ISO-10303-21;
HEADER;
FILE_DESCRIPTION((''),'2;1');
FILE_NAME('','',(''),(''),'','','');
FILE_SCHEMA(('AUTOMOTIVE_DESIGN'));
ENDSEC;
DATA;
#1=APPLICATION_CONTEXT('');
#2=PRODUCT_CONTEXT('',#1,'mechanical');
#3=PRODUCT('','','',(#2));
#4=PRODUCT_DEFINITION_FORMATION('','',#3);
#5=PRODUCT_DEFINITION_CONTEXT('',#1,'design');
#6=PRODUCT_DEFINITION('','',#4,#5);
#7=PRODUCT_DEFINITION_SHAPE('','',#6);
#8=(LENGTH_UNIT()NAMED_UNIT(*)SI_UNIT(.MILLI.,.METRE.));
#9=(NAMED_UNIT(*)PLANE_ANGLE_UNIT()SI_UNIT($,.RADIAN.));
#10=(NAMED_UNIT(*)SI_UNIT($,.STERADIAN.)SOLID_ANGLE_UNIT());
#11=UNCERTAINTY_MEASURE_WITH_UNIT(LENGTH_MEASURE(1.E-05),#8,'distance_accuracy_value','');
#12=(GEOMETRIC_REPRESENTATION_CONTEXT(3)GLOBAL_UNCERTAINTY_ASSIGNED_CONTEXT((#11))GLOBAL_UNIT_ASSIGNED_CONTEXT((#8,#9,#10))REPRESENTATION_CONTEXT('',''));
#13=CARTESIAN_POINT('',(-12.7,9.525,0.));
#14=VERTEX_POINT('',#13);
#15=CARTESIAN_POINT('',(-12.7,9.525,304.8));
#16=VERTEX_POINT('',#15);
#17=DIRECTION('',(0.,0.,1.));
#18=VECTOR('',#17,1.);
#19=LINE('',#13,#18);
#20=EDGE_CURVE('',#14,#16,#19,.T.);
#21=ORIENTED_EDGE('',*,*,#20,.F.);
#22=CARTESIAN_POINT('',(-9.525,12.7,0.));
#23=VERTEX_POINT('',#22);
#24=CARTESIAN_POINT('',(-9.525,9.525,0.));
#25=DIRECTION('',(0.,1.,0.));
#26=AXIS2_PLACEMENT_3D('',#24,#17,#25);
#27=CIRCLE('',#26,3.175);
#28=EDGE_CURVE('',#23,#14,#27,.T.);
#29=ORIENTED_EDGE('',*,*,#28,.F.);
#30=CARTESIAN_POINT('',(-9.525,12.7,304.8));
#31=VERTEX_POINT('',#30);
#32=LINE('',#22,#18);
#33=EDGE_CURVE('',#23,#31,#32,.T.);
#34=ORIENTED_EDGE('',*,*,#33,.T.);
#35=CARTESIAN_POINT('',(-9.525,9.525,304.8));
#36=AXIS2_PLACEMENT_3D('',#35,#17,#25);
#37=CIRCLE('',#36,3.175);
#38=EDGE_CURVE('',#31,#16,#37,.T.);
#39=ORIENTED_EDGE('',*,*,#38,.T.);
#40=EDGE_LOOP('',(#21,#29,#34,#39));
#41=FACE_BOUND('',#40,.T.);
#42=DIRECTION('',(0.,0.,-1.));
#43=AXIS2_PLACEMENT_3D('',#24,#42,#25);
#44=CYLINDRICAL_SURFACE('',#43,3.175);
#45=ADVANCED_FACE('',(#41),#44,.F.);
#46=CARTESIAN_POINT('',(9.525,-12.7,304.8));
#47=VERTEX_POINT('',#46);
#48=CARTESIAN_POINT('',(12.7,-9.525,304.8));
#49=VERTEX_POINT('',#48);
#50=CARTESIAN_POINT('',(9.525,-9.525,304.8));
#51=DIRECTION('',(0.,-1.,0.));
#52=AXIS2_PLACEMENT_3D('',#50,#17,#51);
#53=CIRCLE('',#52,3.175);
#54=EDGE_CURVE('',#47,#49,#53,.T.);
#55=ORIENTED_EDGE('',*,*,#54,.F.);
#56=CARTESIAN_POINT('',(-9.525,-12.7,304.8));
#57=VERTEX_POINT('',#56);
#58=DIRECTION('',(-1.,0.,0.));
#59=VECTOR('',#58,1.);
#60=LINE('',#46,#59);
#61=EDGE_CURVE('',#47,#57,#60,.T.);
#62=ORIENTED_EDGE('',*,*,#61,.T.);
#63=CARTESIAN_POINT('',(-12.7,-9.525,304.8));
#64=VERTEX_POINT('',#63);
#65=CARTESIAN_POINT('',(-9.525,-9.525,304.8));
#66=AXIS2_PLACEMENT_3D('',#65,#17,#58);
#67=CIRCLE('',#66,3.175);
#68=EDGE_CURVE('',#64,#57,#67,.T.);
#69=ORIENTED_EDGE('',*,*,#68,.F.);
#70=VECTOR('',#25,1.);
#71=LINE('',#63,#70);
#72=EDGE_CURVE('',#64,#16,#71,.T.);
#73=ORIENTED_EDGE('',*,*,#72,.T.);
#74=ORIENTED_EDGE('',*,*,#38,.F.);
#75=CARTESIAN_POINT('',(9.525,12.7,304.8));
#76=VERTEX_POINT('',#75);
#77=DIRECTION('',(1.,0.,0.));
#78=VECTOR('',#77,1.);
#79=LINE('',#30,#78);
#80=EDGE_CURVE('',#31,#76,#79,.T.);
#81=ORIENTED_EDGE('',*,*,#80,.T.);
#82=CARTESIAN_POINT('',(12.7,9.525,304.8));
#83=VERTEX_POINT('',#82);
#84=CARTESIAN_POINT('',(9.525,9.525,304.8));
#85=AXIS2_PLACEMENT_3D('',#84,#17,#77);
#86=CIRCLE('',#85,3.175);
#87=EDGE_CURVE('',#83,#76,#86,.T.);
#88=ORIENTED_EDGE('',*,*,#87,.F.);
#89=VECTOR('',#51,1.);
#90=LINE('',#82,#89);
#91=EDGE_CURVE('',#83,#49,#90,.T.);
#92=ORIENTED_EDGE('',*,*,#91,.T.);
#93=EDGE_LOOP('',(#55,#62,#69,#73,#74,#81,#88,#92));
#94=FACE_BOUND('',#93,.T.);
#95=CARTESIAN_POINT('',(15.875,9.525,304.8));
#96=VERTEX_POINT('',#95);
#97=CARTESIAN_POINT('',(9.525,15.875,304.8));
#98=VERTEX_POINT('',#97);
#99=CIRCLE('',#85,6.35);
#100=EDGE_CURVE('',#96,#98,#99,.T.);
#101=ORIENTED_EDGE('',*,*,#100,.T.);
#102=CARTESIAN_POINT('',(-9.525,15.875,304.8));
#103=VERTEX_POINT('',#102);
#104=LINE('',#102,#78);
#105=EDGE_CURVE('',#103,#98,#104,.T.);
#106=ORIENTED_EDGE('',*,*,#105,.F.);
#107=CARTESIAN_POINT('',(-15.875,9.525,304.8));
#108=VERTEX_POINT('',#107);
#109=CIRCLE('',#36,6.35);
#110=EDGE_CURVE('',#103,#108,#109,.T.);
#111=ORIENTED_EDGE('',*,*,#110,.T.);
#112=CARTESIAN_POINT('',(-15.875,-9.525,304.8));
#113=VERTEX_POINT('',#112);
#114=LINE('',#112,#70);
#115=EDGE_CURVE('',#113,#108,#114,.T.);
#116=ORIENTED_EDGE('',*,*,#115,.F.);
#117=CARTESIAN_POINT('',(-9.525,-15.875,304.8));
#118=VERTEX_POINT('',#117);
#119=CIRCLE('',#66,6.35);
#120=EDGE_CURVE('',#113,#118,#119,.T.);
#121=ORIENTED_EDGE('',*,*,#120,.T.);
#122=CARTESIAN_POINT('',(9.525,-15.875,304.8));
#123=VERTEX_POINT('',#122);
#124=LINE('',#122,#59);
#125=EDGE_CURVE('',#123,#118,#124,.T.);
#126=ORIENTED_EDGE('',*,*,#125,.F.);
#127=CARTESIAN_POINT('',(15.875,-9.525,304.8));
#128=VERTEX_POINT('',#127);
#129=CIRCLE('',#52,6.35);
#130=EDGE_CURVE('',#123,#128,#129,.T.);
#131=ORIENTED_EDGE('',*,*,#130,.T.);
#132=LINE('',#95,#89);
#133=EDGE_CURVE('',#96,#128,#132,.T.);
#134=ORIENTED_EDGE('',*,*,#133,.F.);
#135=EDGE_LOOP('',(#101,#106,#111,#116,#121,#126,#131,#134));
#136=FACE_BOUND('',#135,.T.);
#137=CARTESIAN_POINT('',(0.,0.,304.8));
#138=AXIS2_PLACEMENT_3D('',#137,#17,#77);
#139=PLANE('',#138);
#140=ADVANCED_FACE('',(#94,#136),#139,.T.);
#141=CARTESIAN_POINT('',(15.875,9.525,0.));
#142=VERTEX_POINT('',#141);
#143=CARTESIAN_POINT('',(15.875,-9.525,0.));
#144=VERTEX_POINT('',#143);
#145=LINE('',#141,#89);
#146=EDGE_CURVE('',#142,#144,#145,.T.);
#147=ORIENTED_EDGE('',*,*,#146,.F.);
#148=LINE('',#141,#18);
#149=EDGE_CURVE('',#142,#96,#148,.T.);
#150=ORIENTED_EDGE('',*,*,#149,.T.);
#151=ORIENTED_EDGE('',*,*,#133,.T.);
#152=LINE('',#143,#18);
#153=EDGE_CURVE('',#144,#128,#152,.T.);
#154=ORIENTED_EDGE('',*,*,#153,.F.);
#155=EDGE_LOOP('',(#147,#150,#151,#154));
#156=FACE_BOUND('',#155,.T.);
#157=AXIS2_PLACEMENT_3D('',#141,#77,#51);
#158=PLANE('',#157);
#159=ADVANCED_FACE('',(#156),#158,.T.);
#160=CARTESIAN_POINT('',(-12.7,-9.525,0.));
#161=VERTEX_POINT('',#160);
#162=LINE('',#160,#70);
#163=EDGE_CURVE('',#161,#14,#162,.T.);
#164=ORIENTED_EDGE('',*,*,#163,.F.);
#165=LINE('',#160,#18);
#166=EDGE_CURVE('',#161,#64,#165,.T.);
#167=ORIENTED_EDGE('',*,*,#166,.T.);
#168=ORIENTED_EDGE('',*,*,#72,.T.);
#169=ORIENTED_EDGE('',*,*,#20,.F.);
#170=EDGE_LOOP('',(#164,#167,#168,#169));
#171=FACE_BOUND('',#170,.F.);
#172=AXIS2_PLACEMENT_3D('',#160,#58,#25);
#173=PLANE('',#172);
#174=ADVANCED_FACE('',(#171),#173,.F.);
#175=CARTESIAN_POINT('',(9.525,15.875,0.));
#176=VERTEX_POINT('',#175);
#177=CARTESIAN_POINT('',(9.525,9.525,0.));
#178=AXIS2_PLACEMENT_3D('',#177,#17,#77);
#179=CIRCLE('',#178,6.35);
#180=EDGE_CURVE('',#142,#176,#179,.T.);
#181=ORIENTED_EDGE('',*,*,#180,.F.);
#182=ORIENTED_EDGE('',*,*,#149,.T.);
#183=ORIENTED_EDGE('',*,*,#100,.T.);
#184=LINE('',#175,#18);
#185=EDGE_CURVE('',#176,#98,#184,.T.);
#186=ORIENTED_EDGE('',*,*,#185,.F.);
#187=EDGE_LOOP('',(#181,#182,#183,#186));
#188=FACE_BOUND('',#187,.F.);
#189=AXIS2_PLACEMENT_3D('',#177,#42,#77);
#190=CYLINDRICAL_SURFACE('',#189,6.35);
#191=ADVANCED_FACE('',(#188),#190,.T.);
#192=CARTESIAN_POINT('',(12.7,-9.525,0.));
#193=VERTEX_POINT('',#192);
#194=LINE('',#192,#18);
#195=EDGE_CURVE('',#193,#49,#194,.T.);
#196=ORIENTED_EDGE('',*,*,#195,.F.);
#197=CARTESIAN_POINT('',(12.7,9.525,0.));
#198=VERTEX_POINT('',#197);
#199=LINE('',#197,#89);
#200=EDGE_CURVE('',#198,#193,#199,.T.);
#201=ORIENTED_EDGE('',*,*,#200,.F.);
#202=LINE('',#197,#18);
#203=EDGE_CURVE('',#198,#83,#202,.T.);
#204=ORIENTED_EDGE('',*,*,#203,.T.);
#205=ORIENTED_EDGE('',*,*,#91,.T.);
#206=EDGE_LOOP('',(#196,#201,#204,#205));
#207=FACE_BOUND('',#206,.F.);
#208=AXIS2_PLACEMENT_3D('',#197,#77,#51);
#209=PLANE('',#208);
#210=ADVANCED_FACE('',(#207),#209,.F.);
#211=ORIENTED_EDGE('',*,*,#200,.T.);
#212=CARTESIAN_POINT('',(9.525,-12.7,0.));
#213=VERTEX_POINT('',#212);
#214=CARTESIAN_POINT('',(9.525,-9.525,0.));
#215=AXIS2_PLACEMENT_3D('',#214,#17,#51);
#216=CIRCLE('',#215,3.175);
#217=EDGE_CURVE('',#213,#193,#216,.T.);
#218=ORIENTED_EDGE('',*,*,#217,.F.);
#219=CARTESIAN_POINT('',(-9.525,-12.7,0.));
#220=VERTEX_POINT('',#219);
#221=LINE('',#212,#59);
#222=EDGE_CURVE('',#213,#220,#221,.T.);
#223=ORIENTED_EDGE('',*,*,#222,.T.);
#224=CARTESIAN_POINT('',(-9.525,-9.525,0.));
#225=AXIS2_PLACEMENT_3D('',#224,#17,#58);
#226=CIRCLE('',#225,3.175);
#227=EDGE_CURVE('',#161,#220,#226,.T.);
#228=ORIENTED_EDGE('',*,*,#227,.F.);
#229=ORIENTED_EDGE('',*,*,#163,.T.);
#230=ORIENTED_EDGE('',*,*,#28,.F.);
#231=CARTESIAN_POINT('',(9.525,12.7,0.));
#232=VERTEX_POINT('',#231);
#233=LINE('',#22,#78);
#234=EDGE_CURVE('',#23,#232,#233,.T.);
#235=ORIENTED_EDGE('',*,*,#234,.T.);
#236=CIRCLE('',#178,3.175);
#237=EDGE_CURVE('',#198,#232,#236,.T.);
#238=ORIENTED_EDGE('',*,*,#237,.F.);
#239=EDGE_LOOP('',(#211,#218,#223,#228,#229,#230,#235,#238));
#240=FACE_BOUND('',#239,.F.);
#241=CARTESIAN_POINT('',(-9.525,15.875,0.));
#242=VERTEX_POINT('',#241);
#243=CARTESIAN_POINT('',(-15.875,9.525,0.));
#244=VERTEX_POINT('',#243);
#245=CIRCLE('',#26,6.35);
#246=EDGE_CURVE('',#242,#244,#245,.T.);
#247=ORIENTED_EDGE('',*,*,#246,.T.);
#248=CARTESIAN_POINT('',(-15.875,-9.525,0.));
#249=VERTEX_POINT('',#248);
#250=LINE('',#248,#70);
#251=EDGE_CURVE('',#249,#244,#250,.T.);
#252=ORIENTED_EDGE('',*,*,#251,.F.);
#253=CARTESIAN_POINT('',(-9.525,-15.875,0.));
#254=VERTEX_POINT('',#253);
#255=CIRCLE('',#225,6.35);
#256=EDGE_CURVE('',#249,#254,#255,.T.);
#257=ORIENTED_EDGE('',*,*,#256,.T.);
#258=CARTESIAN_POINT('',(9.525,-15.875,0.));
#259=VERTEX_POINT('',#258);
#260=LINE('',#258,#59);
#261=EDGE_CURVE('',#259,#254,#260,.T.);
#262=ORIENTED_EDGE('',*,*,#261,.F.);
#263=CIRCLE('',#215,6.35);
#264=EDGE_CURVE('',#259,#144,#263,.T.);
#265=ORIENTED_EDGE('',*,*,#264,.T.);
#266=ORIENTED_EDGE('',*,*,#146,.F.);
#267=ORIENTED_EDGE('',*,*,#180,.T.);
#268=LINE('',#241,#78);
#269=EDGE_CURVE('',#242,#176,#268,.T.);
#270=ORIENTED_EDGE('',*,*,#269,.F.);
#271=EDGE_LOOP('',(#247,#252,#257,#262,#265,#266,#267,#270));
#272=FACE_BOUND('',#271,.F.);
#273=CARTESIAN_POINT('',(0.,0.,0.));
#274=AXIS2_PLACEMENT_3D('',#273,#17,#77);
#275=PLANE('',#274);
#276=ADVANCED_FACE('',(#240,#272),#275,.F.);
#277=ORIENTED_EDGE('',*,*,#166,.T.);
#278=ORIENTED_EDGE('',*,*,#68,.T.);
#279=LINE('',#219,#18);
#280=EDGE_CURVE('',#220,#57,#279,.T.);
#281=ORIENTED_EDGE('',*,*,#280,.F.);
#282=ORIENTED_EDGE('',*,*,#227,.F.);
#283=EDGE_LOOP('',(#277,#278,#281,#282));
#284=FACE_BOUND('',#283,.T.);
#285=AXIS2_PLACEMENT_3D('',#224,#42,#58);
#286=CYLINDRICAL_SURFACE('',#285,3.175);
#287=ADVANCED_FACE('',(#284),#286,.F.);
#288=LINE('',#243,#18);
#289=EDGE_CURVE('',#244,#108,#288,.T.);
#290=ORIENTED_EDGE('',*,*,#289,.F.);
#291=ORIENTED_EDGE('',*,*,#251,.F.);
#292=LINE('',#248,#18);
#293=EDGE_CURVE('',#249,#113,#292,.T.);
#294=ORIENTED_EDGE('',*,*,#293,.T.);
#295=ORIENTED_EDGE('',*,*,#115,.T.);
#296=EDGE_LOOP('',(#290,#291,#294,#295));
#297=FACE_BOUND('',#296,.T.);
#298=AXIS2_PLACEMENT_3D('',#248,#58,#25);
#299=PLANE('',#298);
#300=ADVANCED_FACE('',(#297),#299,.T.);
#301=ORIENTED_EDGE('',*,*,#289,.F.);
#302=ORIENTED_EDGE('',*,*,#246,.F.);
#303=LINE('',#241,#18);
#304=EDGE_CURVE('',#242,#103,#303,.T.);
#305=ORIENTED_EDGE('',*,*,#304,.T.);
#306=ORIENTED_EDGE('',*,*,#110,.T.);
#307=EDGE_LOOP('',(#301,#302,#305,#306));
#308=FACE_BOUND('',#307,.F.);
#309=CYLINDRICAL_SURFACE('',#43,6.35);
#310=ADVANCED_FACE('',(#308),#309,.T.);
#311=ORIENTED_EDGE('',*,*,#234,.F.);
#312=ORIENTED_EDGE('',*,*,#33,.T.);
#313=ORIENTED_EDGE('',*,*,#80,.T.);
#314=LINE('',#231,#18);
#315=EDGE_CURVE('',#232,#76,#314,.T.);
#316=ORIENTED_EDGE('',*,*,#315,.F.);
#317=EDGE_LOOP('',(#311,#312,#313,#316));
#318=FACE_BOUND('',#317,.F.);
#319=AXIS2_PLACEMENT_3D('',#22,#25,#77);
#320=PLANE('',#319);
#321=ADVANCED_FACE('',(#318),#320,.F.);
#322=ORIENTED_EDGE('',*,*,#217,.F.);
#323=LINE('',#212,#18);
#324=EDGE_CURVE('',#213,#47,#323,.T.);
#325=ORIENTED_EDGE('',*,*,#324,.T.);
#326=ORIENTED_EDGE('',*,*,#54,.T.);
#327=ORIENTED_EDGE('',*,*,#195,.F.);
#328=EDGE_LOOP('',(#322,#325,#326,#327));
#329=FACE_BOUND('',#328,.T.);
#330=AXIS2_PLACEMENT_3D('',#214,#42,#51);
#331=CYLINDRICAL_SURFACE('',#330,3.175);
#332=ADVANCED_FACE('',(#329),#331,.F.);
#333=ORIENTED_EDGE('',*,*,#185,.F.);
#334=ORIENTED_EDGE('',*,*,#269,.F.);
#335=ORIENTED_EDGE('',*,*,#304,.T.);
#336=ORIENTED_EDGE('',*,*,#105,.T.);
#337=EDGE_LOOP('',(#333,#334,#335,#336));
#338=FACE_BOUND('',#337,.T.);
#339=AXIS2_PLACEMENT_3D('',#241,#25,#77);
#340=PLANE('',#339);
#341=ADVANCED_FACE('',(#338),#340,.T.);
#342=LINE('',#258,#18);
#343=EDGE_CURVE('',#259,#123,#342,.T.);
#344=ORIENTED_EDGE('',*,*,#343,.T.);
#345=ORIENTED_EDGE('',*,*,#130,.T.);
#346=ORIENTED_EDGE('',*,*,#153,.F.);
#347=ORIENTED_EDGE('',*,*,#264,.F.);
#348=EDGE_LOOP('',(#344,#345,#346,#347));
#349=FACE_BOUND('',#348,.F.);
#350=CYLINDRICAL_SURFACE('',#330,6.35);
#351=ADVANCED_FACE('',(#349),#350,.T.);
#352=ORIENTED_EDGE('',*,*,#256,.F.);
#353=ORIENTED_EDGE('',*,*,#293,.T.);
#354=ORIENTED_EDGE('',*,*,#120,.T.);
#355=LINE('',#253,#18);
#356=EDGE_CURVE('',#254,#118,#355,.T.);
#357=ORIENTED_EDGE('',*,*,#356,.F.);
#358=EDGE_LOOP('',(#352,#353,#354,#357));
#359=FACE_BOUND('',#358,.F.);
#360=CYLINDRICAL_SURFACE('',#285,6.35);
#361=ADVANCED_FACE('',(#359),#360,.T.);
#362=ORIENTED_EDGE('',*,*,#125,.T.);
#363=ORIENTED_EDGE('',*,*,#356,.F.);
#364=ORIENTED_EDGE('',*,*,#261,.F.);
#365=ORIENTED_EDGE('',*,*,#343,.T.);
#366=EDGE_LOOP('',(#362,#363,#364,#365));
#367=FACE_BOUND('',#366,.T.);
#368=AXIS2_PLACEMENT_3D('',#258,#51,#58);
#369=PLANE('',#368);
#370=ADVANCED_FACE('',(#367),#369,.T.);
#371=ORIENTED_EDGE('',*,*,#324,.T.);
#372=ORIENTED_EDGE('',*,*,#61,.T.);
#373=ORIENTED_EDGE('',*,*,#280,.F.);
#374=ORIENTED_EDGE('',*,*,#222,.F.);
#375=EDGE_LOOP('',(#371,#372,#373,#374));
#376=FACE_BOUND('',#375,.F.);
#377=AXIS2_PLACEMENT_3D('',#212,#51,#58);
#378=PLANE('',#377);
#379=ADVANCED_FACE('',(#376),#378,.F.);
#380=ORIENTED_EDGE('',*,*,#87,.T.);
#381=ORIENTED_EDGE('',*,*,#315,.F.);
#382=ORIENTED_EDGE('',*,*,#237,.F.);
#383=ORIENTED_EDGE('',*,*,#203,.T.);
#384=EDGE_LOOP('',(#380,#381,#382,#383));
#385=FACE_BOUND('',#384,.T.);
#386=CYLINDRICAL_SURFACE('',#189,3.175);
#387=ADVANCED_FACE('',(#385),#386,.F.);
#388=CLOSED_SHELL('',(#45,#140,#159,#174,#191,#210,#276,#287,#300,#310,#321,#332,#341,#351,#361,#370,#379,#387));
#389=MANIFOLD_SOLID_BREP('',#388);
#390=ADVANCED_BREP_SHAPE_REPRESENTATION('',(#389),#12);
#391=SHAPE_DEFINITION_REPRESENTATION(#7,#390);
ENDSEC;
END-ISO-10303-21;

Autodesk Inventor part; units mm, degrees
ref_plane "YZ Plane" through (0, 0, 0) normal (1, 0, 0) x (0, 1, 0)
ref_plane "Start plane" through (0, 0, 0) normal (0, 0, 1) x (1, 0, 0)
ref_plane "End plane" through (0, 0, 304.8) normal (0, 0, 1) x (1, 0, 0)
sketch "Sketch" plane through (0, 0, 0) normal (0, 0, 1) x (1, 0, 0)
  line L0 (-15.875, -9.525) -> (-15.875, 9.525)
  line L1 (-9.525, 15.875) -> (9.525, 15.875)
  line L2 (15.875, 9.525) -> (15.875, -9.525)
  line L3 (9.525, -15.875) -> (-9.525, -15.875)
  arc A0 (-15.875, -9.525) -> (-9.525, -15.875) centre (-9.525, -9.525) ccw
  arc A1 (-9.525, 15.875) -> (-15.875, 9.525) centre (-9.525, 9.525) ccw
  arc A2 (15.875, 9.525) -> (9.525, 15.875) centre (9.525, 9.525) ccw
  arc A3 (9.525, -15.875) -> (15.875, -9.525) centre (9.525, -9.525) ccw
  arc A4 (-9.525, 12.7) -> (-12.7, 9.525) centre (-9.525, 9.525) ccw
  line L4 (-9.525, 12.7) -> (9.525, 12.7)
  arc A5 (12.7, 9.525) -> (9.525, 12.7) centre (9.525, 9.525) ccw
  line L5 (12.7, 9.525) -> (12.7, -9.525)
  arc A6 (9.525, -12.7) -> (12.7, -9.525) centre (9.525, -9.525) ccw
  line L6 (9.525, -12.7) -> (-9.525, -12.7)
  arc A7 (-12.7, -9.525) -> (-9.525, -12.7) centre (-9.525, -9.525) ccw
  line L7 (-12.7, -9.525) -> (-12.7, 9.525)
  line L8 (0, 24.0662) -> (0, -24.0662) construction
  line L9 (-24.0662, 0) -> (24.0662, 0) construction
  dimension "d10" = 31.75
  dimension "d11" = 31.75
  dimension "d12" = 3.175
  dimension "d15" = 15.875
  dimension "d16" = 15.875
  dimension "d17" = 6.35
extrude "Body" add sketch "Sketch" along normal up to surface (304.8 mm away) from surface at 0
sketch "Sketch3" plane through (0, 0, 0) normal (0, 0, 1) x (1, 0, 0)
  line L0 (0, 0) -> (10, 0)
ref_plane "Work Plane3" through (0, 0, 0) normal (0, -1, 0) x (1, 0, 0)
sketch "Sketch4" plane through (0, 0, 0) normal (0, -1, 0) x (1, 0, 0)
  line L0 (-2, 0) -> (12, 0)
  line L1 (-2, 304.8) -> (12, 304.8)
  dimension "d19" = 304.8
equation "\"d10\" = G_H"
equation "\"d11\" = G_W"
equation "\"d12\" = G_T"
equation "\"d15\" = 0.5 * d10"
equation "\"d16\" = 0.5 * d11"
equation "\"d17\" = G_IR"
equation "\"d3\" = G_L"
equation "\"G_W\" = 31.75"
equation "\"G_H\" = 31.75"
equation "\"G_T\" = 3.175"
equation "\"G_IR\" = 6.35"
equation "\"G_L\" = d19"
equation "\"G_OFFSET_START\" = 0"
equation "\"G_OFFSET_END\" = 0"
equation "\"d14\" = G_OFFSET_END + B_L"
equation "\"B_L\" = 304.8"
properties part number "AISC HSS - (1 1/4x1 1/4x1/8) - 12" material "Steel, Mild"
